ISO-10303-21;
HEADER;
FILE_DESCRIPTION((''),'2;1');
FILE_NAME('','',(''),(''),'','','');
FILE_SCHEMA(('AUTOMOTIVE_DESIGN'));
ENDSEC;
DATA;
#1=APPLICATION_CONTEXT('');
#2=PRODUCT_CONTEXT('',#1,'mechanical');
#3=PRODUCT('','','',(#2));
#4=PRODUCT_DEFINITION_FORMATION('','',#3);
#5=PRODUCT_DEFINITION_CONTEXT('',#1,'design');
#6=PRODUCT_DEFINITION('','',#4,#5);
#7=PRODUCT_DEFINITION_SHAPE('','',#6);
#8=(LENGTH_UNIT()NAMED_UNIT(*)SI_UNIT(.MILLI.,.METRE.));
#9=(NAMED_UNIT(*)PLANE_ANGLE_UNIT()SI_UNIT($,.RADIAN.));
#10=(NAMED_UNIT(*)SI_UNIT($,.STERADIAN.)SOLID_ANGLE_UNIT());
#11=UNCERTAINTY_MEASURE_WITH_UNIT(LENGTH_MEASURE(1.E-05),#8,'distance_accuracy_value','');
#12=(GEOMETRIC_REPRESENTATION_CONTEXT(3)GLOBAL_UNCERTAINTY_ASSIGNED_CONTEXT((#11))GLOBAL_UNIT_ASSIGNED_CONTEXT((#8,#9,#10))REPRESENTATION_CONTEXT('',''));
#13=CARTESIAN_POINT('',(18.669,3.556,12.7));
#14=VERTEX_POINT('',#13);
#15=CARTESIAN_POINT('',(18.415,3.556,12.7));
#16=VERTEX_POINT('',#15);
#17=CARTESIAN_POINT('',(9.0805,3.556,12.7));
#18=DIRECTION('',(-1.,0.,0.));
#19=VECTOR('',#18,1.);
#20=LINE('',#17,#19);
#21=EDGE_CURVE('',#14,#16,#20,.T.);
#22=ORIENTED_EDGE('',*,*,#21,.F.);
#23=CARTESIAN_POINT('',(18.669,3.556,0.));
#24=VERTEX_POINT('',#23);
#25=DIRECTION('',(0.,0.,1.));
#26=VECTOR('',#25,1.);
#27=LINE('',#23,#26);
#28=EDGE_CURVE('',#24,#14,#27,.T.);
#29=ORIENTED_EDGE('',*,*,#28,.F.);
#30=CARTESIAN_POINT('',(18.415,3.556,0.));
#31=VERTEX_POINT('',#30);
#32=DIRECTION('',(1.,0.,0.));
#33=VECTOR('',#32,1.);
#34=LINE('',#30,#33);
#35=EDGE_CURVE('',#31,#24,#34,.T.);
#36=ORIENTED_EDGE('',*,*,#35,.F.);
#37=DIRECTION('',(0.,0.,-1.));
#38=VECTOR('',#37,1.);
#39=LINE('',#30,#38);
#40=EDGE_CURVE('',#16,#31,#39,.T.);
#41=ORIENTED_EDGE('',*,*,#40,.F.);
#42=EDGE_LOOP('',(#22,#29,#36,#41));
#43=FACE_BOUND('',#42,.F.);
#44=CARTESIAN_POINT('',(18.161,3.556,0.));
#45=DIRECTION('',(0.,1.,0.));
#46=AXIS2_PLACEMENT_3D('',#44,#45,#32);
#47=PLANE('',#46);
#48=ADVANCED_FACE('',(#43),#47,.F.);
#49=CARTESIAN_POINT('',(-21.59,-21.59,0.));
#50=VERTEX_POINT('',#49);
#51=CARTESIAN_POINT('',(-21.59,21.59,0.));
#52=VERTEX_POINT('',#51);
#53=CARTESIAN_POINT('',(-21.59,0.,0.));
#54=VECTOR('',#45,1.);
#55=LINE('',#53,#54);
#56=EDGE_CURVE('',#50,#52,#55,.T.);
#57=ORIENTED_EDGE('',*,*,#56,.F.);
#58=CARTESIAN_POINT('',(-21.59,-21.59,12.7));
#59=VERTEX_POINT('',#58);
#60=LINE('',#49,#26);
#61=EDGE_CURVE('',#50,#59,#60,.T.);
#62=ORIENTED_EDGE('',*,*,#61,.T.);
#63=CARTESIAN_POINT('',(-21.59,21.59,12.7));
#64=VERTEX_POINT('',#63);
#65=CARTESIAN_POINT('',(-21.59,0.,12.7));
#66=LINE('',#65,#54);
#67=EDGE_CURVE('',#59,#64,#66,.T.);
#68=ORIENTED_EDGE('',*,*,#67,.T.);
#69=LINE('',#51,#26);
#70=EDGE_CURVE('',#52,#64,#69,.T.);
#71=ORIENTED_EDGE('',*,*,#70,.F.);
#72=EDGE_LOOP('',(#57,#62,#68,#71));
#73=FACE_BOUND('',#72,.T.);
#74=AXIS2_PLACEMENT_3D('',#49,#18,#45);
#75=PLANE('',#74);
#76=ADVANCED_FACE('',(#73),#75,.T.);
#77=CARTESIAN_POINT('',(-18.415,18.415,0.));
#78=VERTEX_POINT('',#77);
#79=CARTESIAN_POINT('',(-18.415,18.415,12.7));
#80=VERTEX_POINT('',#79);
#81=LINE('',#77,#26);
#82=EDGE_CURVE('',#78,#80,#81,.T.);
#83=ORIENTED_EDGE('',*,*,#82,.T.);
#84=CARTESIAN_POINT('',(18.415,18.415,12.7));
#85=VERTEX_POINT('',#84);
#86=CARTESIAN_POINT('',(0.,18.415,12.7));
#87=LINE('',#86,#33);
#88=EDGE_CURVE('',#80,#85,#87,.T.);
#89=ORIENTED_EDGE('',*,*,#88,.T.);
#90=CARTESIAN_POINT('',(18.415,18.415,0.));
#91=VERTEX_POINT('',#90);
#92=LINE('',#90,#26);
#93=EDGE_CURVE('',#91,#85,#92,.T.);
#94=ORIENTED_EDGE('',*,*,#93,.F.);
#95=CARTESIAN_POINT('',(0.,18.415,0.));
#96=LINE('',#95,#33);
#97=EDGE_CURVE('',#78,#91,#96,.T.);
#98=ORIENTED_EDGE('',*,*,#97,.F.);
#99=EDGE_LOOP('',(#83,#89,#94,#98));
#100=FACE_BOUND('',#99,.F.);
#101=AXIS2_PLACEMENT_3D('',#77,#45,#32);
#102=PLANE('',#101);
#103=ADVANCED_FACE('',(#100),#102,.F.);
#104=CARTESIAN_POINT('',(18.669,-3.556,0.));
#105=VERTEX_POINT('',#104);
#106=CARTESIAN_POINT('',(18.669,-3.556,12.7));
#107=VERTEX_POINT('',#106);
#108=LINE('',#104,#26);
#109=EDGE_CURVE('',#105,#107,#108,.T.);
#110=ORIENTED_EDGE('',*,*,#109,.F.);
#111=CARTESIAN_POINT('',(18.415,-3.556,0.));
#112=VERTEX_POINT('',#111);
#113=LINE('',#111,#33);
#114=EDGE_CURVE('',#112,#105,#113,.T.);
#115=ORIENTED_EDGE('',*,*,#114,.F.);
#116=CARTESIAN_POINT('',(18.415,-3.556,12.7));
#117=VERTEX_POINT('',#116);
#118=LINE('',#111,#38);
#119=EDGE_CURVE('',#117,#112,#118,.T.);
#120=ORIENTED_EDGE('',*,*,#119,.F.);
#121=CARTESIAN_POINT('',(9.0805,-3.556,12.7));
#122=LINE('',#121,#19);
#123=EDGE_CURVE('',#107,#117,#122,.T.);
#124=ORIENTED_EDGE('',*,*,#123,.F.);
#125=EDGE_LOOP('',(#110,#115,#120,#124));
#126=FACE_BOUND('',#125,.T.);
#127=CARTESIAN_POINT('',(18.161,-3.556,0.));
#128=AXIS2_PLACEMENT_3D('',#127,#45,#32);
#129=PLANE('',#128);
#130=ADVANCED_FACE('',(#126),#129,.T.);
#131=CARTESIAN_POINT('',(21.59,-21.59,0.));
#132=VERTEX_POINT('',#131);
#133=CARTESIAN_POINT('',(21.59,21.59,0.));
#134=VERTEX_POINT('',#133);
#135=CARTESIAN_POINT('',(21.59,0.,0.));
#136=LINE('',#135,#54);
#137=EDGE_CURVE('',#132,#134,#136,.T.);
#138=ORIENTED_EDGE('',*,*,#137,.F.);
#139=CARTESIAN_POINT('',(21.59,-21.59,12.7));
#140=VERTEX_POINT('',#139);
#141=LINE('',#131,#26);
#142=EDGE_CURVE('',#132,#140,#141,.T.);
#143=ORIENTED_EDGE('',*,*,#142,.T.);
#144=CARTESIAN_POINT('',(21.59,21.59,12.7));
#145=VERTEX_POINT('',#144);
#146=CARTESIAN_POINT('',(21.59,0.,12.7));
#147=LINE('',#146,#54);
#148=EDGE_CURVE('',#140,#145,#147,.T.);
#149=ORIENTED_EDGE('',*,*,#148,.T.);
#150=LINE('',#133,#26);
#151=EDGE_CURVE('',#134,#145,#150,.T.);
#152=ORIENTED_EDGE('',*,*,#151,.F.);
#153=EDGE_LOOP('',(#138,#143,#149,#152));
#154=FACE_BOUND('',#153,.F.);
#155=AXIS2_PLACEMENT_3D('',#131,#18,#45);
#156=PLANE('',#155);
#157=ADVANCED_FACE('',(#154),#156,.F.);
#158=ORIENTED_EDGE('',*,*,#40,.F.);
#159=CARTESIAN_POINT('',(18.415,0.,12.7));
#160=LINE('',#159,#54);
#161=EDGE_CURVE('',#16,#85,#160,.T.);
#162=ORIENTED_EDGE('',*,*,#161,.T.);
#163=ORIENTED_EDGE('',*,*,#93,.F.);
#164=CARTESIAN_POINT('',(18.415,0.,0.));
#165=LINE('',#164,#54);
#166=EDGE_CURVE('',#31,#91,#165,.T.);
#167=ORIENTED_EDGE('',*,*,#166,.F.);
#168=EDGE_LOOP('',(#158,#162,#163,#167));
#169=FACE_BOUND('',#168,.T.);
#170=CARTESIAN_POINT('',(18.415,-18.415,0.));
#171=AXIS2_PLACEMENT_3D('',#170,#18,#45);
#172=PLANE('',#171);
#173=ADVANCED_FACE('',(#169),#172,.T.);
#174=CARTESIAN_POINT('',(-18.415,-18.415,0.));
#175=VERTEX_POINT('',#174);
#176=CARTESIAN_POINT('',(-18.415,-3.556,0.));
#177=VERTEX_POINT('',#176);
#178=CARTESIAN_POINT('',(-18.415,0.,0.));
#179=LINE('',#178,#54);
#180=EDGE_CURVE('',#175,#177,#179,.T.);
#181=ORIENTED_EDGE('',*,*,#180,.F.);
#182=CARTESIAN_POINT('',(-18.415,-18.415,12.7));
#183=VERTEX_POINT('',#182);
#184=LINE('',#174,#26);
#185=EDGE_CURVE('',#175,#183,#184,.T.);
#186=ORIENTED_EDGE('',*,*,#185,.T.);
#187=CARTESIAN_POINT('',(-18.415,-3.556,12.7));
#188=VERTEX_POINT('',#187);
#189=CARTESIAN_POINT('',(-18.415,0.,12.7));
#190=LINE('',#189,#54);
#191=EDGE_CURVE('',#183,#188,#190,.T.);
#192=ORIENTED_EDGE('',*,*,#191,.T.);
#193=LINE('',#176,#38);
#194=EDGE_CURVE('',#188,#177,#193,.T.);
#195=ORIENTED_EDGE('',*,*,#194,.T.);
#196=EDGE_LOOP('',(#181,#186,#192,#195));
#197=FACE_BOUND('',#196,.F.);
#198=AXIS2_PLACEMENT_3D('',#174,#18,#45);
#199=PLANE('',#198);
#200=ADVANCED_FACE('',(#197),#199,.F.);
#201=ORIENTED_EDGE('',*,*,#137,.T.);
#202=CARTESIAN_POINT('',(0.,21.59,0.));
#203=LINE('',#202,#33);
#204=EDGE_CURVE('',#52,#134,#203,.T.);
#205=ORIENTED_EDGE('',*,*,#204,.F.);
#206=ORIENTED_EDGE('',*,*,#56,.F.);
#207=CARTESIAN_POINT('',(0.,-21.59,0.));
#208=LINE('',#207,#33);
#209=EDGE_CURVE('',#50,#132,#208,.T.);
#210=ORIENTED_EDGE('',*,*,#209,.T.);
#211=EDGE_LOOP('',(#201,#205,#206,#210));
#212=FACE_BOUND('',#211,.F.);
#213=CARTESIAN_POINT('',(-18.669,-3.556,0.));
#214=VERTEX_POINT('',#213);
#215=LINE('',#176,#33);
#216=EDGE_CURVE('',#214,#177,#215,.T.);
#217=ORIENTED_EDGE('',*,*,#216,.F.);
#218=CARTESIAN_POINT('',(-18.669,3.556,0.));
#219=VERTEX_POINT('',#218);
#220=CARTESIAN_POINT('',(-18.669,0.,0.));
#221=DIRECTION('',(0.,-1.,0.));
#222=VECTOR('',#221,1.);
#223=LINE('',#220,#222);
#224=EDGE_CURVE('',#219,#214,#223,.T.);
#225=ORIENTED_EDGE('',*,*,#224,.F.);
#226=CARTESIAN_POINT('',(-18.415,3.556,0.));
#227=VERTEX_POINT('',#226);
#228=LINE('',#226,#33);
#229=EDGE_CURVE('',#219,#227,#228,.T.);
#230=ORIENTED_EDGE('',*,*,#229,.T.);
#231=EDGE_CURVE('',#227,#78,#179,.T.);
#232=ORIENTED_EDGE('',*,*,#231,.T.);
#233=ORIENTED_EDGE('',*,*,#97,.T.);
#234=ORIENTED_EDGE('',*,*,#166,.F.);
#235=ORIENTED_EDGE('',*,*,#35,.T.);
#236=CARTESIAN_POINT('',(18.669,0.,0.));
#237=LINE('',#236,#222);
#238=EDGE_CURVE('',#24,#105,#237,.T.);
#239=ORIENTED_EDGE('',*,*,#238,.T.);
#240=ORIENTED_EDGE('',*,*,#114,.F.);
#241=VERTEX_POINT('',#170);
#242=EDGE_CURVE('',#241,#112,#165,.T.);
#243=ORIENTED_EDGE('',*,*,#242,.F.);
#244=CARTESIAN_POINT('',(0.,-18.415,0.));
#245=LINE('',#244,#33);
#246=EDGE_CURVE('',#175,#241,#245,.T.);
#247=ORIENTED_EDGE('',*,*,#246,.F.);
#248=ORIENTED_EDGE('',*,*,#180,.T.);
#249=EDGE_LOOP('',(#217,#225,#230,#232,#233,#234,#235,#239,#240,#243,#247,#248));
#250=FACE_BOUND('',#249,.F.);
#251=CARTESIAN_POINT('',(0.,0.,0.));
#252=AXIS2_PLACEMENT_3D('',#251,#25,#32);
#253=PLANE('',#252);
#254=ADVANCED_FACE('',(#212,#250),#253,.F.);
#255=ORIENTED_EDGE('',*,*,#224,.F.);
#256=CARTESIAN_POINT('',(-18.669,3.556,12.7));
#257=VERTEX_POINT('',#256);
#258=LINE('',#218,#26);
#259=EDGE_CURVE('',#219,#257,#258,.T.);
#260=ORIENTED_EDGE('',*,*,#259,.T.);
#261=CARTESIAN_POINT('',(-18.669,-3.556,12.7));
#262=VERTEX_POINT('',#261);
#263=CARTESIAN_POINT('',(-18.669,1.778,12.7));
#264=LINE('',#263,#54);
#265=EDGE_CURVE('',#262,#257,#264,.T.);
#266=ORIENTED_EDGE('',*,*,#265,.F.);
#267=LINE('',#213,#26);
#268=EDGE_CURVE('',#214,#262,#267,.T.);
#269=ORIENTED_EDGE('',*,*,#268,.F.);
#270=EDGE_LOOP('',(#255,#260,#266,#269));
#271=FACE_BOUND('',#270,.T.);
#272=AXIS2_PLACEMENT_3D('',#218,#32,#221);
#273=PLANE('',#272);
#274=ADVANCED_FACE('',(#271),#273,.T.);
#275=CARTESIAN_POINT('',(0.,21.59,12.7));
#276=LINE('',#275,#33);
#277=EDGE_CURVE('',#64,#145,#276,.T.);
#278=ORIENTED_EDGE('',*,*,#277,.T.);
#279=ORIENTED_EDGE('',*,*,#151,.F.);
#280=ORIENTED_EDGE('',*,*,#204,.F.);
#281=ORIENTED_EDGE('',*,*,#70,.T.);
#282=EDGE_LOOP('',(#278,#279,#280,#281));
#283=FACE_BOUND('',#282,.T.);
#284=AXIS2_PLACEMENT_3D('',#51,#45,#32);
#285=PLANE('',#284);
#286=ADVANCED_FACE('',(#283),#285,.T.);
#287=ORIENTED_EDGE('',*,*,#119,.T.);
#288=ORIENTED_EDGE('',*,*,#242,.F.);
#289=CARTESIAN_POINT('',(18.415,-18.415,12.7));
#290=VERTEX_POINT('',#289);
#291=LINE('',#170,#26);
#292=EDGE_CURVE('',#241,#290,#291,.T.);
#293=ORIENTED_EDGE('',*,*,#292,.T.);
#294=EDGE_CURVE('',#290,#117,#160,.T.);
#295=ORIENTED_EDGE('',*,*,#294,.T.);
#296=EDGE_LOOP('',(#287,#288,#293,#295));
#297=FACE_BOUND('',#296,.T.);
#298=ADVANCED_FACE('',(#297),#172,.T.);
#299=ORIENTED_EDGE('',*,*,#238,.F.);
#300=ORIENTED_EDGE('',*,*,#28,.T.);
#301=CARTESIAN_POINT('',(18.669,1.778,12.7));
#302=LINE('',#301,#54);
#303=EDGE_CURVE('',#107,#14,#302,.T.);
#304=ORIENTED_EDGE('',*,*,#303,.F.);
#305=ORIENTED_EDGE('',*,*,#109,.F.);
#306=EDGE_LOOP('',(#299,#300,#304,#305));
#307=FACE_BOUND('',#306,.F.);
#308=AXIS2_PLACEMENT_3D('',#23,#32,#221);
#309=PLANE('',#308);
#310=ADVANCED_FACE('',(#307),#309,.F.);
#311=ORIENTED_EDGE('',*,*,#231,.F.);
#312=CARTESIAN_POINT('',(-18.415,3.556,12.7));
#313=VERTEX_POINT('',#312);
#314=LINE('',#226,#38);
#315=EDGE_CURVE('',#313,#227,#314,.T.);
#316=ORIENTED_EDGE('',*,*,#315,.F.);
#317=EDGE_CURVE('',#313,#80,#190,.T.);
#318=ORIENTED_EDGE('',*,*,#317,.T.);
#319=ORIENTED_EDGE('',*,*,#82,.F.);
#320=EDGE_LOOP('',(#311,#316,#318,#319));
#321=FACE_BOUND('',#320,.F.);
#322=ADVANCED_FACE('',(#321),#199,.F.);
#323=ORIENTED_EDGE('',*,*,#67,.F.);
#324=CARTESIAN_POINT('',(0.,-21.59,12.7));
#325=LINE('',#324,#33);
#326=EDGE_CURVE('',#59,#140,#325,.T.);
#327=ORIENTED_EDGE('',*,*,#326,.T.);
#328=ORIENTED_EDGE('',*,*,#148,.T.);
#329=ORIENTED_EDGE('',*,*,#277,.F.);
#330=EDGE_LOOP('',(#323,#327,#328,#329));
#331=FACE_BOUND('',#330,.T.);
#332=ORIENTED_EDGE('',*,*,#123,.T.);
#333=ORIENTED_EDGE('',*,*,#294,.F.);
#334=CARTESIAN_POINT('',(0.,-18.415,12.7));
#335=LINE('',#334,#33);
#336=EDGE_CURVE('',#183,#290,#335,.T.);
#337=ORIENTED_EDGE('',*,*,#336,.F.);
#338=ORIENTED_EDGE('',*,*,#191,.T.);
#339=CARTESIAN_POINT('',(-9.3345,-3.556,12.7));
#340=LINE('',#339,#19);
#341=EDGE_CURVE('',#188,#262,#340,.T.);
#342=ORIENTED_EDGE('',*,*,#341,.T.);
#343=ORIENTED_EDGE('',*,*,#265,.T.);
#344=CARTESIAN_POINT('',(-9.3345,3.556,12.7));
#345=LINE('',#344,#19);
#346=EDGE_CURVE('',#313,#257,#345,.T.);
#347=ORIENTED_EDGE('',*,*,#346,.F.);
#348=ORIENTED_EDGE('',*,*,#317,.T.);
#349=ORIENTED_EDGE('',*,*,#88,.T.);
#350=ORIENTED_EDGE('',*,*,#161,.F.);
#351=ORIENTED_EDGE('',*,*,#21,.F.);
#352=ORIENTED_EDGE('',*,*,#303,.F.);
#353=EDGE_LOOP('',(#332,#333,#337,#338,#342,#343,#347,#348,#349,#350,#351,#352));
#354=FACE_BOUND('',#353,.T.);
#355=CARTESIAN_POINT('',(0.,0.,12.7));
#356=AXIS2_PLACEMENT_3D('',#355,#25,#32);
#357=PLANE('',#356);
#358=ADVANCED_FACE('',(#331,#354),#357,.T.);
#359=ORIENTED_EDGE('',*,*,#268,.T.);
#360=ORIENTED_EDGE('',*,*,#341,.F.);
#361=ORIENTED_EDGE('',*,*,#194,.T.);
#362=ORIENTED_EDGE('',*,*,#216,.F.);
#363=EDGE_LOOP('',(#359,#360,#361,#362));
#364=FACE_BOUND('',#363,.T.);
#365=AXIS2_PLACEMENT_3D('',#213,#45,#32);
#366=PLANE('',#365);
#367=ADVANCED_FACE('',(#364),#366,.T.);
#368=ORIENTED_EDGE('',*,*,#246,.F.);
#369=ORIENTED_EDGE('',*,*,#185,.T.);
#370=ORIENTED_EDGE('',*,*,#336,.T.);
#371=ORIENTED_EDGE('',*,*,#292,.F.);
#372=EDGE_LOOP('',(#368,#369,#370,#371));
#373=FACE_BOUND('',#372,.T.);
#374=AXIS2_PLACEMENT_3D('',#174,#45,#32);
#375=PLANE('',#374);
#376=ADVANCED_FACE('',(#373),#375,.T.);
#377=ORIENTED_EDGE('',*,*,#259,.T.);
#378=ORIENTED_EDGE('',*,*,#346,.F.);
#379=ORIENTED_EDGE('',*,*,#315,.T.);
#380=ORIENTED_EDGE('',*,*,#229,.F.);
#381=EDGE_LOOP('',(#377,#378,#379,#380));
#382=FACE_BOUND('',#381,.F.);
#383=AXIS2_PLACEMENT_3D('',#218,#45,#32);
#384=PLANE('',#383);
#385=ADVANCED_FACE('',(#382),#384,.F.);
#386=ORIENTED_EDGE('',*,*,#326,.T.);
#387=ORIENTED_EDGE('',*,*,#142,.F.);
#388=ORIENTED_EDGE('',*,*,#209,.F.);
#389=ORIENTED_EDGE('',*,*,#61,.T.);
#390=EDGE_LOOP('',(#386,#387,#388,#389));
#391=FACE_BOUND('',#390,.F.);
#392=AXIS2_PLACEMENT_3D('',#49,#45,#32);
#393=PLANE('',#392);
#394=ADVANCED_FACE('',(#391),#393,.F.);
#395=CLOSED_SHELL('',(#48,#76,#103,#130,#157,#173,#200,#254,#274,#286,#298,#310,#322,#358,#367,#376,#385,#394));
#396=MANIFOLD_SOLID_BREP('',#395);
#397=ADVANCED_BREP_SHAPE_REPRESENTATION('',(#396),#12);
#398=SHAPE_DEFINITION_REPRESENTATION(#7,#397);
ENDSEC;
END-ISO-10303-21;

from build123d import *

# Parameters (mm, degrees)
F0_W     = 43.18
F0_H     = 43.18
F0_W_2   = 36.83
F0_H_2   = 36.83
F1_DEPTH = 12.7
F2_W     = 0.508
F2_H     = 7.112
F3_DEPTH = 12.701


with BuildPart() as f1:
    # F0 (on Top) → F1 (new body)
    with BuildSketch(Plane.XY):
        Rectangle(F0_W, F0_H)
        Rectangle(F0_W_2, F0_H_2, mode=Mode.SUBTRACT)
    extrude(amount=F1_DEPTH)

    # F2 (on face) → F3 (cut, through all)
    with BuildSketch(Plane(origin=(0, 0, 0), x_dir=(1, 0, 0), z_dir=(0, 0, -1))):
        with Locations((18.415, 0)):
            Rectangle(F2_W, F2_H)
        with Locations((-18.415, 0)):
            Rectangle(F2_W, F2_H)
    extrude(amount=-F3_DEPTH, mode=Mode.SUBTRACT)


solid = f1.part
